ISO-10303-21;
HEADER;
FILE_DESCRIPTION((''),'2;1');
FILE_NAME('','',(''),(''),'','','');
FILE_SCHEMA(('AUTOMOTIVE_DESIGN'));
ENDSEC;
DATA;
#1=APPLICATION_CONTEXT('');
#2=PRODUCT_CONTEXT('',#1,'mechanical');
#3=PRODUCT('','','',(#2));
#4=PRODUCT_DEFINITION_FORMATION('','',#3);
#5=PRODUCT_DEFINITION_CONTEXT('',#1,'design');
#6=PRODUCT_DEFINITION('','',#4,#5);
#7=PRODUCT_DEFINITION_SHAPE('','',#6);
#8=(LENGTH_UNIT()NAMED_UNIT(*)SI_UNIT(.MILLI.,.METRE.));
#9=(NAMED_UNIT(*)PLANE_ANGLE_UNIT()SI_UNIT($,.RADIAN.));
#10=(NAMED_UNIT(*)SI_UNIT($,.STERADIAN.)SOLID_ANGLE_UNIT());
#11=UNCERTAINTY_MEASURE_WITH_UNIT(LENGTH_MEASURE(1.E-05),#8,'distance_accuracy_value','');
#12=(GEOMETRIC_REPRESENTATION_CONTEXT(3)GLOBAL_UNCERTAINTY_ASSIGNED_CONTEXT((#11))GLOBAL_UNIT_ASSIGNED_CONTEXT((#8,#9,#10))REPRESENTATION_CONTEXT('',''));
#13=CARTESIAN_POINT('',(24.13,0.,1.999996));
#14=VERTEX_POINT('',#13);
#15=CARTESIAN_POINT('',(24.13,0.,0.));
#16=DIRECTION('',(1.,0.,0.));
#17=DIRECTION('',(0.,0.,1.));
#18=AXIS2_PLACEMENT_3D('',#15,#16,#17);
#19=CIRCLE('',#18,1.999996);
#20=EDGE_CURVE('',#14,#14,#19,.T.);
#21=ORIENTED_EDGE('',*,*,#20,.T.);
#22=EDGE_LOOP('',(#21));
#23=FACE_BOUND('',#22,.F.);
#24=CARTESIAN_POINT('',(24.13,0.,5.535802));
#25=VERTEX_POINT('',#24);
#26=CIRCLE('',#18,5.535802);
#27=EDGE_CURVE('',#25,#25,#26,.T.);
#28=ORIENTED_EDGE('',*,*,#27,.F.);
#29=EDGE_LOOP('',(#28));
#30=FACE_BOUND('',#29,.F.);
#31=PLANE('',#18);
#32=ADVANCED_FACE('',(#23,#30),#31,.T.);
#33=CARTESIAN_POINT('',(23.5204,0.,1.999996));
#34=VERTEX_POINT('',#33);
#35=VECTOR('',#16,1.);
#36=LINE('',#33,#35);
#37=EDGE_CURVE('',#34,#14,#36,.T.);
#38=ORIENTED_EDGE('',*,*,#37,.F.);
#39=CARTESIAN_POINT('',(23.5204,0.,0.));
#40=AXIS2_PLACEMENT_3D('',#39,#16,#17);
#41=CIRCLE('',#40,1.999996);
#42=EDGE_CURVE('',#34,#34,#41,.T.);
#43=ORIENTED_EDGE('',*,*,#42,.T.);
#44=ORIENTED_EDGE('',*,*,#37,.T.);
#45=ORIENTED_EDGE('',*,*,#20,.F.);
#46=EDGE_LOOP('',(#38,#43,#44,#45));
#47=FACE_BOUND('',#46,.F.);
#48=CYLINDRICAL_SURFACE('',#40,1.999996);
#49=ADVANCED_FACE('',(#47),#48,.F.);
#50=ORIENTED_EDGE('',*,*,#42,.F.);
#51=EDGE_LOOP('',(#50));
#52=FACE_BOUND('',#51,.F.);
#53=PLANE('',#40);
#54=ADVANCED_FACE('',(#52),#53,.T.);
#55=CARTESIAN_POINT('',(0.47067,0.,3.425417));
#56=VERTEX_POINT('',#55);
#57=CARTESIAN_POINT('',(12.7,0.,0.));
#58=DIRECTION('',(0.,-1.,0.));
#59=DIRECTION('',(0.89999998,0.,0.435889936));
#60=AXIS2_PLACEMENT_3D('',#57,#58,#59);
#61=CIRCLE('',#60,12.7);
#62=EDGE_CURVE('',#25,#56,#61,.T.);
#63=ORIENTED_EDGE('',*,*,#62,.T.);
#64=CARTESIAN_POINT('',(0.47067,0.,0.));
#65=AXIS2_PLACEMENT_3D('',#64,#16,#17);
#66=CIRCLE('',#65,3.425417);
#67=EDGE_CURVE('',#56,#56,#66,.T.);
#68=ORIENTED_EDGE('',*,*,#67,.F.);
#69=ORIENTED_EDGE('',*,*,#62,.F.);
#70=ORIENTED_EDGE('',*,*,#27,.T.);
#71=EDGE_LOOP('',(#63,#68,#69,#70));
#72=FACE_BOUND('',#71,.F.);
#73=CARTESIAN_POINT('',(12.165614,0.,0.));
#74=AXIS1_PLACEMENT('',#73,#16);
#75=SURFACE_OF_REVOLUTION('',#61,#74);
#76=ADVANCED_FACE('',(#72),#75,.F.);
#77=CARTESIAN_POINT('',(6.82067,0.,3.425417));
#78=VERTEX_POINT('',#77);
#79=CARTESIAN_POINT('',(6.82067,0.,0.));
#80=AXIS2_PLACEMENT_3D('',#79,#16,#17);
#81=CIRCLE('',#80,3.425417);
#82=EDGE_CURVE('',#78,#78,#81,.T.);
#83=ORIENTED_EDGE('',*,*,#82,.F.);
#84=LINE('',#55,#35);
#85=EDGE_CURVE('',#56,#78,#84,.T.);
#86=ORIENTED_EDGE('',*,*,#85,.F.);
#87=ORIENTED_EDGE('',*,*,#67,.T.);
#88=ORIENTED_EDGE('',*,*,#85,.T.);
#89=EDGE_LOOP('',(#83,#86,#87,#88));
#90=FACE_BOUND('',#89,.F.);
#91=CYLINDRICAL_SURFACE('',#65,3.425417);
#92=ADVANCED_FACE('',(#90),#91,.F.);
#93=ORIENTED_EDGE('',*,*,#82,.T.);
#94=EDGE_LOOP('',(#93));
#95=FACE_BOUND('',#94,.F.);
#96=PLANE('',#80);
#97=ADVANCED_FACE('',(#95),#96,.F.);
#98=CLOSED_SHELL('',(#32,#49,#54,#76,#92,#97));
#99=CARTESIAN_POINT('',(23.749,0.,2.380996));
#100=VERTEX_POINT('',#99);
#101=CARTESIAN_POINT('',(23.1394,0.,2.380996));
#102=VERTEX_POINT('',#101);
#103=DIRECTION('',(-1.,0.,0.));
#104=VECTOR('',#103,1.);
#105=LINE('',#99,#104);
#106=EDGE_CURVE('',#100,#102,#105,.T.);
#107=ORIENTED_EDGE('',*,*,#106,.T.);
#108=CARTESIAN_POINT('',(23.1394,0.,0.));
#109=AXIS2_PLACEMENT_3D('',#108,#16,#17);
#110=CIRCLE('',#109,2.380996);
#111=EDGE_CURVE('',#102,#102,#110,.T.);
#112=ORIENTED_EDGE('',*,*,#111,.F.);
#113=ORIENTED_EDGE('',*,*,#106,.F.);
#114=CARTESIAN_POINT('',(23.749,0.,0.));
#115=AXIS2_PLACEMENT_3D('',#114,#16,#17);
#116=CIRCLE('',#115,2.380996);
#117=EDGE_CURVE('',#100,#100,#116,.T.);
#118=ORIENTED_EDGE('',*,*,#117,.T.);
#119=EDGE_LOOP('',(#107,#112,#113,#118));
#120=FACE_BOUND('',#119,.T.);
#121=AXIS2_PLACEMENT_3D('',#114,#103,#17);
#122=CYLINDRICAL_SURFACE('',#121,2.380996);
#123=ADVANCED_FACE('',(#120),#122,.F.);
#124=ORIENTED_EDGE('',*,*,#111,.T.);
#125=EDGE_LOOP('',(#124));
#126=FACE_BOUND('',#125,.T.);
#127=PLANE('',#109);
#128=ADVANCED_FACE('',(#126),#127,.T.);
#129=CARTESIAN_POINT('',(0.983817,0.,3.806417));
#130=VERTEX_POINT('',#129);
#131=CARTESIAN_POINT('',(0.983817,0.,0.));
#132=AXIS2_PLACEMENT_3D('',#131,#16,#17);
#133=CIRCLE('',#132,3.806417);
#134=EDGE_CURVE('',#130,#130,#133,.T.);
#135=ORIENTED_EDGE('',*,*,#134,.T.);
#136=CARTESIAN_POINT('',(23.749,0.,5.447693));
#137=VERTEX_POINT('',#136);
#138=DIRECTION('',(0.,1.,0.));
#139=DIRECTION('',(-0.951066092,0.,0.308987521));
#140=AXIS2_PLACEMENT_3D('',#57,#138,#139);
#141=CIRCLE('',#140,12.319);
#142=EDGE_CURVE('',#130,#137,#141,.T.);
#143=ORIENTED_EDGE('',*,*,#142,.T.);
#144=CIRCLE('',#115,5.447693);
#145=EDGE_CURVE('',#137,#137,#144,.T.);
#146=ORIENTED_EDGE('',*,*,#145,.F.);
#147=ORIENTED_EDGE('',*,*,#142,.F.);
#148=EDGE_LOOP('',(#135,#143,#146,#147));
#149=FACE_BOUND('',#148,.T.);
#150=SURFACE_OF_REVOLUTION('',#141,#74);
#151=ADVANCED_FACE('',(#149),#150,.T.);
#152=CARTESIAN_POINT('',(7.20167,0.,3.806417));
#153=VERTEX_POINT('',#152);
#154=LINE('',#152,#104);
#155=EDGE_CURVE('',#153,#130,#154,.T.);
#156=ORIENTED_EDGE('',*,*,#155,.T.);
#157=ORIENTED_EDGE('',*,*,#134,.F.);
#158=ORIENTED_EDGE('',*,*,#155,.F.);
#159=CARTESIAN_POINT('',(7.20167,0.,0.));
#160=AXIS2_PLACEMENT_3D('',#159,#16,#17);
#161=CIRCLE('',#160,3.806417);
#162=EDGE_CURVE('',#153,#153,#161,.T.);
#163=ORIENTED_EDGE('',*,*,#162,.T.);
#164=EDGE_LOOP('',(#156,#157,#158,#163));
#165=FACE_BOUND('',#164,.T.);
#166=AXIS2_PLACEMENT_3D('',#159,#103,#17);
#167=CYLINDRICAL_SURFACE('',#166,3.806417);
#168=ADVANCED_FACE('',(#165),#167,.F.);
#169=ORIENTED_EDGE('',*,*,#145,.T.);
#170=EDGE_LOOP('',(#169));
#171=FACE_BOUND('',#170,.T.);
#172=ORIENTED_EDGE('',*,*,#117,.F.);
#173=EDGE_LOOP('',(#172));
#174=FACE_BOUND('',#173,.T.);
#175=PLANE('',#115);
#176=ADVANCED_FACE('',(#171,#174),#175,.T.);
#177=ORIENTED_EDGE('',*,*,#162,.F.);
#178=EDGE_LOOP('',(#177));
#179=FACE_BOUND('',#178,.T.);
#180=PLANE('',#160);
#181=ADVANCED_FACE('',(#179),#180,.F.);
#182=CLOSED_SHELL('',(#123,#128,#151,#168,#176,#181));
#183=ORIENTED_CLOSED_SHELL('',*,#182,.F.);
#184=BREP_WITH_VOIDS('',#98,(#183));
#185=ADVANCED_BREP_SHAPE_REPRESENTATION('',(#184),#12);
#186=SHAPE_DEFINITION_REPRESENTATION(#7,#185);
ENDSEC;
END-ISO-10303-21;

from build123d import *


with BuildPart() as f1:
    # F0 (on Front) → F1 (revolve)
    with BuildSketch(Plane.XZ):
        with BuildLine():
            Line((23.5204, 1.999996), (24.13, 1.999996))
            Line((24.13, 1.999996), (24.13, 5.535802))
            ThreePointArc((24.13, 5.535802), (11.571655, 12.649776), (0.47067, 3.425417))
            Line((0.47067, 3.425417), (6.82067, 3.425417))
            Line((6.82067, 3.425417), (6.82067, 1.52908))
            Line((6.82067, 1.52908), (6.82067, 0))
            Line((6.82067, 0), (7.20167, 0))
            Line((7.20167, 0), (7.20167, 3.806417))
            Line((7.20167, 3.806417), (0.983817, 3.806417))
            ThreePointArc((0.983817, 3.806417), (11.81415, 12.287108), (23.749, 5.447693))
            Line((23.749, 5.447693), (23.749, 2.380996))
            Line((23.749, 2.380996), (23.1394, 2.380996))
            Line((23.1394, 2.380996), (23.1394, 0))
            Line((23.1394, 0), (23.5204, 0))
            Line((23.5204, 0), (23.5204, 1.999996))
        make_face()
    revolve(axis=Axis((12.165614, 0, 0), (1, 0, 0)))


solid = f1.part
